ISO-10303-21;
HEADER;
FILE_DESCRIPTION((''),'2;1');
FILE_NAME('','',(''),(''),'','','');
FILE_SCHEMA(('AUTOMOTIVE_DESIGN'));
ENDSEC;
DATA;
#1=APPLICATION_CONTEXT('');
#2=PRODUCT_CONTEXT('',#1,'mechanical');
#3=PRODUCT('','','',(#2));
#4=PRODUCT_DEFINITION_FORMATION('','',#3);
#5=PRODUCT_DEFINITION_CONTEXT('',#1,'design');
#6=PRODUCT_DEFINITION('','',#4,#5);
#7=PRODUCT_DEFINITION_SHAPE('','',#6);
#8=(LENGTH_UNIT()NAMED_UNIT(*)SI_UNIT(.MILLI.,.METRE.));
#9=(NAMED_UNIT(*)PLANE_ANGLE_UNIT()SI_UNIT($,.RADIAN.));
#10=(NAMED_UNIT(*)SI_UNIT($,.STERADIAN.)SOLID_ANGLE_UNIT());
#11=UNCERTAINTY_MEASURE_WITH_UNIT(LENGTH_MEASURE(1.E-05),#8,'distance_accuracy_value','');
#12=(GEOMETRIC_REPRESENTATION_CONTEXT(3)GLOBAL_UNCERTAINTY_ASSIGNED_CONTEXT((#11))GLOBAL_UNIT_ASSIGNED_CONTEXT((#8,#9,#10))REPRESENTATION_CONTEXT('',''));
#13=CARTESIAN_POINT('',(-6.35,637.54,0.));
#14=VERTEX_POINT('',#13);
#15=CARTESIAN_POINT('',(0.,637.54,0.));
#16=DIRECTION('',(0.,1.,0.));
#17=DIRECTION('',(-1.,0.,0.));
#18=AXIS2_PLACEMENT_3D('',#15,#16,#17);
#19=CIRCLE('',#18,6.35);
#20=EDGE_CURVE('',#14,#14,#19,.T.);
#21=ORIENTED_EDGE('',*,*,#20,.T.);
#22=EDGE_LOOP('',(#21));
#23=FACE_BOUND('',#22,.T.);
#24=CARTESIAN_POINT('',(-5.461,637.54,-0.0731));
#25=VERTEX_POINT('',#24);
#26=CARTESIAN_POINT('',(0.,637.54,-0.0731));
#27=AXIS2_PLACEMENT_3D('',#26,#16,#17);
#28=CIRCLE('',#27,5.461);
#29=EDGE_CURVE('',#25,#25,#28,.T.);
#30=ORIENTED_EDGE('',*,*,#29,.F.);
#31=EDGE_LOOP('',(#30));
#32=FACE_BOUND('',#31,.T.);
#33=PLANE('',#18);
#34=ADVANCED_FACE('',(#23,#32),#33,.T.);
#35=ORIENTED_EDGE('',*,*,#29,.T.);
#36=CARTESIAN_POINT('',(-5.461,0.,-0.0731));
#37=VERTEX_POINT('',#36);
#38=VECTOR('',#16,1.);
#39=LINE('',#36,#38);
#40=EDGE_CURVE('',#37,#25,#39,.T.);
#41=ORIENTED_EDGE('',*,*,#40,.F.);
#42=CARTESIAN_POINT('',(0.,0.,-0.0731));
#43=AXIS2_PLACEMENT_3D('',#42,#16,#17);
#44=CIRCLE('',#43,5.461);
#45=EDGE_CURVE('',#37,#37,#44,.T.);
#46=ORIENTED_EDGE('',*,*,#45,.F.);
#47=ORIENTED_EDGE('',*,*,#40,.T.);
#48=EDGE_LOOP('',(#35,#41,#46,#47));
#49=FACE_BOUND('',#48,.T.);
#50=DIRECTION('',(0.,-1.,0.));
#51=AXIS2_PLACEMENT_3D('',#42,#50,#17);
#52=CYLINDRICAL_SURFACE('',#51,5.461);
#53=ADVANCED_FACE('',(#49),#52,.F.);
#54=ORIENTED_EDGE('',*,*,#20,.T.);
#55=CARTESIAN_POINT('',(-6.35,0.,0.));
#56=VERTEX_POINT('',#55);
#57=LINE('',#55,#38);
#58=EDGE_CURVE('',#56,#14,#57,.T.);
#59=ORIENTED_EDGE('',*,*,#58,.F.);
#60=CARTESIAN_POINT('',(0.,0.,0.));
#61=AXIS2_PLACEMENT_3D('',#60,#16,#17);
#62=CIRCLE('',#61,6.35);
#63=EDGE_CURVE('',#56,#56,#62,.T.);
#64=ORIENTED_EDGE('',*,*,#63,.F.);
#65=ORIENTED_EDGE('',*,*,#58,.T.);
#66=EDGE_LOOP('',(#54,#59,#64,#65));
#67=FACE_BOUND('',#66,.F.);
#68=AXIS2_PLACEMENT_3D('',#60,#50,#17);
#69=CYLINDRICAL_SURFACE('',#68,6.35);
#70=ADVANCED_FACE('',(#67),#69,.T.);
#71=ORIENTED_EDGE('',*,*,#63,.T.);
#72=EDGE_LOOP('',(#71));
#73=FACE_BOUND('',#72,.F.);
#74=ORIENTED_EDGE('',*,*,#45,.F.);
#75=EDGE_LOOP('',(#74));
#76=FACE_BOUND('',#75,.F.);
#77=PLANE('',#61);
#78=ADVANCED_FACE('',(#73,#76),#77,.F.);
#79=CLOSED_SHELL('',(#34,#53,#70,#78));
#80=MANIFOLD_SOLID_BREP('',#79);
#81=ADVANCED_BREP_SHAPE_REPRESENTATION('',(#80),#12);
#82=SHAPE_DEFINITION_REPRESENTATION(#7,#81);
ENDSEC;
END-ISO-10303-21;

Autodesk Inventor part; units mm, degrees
ref_plane "YZ Plane" through (0, 0, 0) normal (1, 0, 0) x (0, 1, 0)
ref_plane "XZ Plane" through (0, 0, 0) normal (0, 1, 0) x (-1, 0, 0)
ref_plane "XY Plane" through (0, 0, 0) normal (0, 0, 1) x (1, 0, 0)
sketch "Sketch1" plane through (0, 0, 0) normal (0, 1, 0) x (-1, 0, 0)
  circle A0 centre (0, 0) radius 6.35
  circle A1 centre (0, -0.0731) radius 5.461
  dimension "d0" = 12.7
  dimension "d1" = 10.922
extrude "Extrusion1" add sketch "Sketch1" along normal blind 637.54
properties part number "Wiretube"
